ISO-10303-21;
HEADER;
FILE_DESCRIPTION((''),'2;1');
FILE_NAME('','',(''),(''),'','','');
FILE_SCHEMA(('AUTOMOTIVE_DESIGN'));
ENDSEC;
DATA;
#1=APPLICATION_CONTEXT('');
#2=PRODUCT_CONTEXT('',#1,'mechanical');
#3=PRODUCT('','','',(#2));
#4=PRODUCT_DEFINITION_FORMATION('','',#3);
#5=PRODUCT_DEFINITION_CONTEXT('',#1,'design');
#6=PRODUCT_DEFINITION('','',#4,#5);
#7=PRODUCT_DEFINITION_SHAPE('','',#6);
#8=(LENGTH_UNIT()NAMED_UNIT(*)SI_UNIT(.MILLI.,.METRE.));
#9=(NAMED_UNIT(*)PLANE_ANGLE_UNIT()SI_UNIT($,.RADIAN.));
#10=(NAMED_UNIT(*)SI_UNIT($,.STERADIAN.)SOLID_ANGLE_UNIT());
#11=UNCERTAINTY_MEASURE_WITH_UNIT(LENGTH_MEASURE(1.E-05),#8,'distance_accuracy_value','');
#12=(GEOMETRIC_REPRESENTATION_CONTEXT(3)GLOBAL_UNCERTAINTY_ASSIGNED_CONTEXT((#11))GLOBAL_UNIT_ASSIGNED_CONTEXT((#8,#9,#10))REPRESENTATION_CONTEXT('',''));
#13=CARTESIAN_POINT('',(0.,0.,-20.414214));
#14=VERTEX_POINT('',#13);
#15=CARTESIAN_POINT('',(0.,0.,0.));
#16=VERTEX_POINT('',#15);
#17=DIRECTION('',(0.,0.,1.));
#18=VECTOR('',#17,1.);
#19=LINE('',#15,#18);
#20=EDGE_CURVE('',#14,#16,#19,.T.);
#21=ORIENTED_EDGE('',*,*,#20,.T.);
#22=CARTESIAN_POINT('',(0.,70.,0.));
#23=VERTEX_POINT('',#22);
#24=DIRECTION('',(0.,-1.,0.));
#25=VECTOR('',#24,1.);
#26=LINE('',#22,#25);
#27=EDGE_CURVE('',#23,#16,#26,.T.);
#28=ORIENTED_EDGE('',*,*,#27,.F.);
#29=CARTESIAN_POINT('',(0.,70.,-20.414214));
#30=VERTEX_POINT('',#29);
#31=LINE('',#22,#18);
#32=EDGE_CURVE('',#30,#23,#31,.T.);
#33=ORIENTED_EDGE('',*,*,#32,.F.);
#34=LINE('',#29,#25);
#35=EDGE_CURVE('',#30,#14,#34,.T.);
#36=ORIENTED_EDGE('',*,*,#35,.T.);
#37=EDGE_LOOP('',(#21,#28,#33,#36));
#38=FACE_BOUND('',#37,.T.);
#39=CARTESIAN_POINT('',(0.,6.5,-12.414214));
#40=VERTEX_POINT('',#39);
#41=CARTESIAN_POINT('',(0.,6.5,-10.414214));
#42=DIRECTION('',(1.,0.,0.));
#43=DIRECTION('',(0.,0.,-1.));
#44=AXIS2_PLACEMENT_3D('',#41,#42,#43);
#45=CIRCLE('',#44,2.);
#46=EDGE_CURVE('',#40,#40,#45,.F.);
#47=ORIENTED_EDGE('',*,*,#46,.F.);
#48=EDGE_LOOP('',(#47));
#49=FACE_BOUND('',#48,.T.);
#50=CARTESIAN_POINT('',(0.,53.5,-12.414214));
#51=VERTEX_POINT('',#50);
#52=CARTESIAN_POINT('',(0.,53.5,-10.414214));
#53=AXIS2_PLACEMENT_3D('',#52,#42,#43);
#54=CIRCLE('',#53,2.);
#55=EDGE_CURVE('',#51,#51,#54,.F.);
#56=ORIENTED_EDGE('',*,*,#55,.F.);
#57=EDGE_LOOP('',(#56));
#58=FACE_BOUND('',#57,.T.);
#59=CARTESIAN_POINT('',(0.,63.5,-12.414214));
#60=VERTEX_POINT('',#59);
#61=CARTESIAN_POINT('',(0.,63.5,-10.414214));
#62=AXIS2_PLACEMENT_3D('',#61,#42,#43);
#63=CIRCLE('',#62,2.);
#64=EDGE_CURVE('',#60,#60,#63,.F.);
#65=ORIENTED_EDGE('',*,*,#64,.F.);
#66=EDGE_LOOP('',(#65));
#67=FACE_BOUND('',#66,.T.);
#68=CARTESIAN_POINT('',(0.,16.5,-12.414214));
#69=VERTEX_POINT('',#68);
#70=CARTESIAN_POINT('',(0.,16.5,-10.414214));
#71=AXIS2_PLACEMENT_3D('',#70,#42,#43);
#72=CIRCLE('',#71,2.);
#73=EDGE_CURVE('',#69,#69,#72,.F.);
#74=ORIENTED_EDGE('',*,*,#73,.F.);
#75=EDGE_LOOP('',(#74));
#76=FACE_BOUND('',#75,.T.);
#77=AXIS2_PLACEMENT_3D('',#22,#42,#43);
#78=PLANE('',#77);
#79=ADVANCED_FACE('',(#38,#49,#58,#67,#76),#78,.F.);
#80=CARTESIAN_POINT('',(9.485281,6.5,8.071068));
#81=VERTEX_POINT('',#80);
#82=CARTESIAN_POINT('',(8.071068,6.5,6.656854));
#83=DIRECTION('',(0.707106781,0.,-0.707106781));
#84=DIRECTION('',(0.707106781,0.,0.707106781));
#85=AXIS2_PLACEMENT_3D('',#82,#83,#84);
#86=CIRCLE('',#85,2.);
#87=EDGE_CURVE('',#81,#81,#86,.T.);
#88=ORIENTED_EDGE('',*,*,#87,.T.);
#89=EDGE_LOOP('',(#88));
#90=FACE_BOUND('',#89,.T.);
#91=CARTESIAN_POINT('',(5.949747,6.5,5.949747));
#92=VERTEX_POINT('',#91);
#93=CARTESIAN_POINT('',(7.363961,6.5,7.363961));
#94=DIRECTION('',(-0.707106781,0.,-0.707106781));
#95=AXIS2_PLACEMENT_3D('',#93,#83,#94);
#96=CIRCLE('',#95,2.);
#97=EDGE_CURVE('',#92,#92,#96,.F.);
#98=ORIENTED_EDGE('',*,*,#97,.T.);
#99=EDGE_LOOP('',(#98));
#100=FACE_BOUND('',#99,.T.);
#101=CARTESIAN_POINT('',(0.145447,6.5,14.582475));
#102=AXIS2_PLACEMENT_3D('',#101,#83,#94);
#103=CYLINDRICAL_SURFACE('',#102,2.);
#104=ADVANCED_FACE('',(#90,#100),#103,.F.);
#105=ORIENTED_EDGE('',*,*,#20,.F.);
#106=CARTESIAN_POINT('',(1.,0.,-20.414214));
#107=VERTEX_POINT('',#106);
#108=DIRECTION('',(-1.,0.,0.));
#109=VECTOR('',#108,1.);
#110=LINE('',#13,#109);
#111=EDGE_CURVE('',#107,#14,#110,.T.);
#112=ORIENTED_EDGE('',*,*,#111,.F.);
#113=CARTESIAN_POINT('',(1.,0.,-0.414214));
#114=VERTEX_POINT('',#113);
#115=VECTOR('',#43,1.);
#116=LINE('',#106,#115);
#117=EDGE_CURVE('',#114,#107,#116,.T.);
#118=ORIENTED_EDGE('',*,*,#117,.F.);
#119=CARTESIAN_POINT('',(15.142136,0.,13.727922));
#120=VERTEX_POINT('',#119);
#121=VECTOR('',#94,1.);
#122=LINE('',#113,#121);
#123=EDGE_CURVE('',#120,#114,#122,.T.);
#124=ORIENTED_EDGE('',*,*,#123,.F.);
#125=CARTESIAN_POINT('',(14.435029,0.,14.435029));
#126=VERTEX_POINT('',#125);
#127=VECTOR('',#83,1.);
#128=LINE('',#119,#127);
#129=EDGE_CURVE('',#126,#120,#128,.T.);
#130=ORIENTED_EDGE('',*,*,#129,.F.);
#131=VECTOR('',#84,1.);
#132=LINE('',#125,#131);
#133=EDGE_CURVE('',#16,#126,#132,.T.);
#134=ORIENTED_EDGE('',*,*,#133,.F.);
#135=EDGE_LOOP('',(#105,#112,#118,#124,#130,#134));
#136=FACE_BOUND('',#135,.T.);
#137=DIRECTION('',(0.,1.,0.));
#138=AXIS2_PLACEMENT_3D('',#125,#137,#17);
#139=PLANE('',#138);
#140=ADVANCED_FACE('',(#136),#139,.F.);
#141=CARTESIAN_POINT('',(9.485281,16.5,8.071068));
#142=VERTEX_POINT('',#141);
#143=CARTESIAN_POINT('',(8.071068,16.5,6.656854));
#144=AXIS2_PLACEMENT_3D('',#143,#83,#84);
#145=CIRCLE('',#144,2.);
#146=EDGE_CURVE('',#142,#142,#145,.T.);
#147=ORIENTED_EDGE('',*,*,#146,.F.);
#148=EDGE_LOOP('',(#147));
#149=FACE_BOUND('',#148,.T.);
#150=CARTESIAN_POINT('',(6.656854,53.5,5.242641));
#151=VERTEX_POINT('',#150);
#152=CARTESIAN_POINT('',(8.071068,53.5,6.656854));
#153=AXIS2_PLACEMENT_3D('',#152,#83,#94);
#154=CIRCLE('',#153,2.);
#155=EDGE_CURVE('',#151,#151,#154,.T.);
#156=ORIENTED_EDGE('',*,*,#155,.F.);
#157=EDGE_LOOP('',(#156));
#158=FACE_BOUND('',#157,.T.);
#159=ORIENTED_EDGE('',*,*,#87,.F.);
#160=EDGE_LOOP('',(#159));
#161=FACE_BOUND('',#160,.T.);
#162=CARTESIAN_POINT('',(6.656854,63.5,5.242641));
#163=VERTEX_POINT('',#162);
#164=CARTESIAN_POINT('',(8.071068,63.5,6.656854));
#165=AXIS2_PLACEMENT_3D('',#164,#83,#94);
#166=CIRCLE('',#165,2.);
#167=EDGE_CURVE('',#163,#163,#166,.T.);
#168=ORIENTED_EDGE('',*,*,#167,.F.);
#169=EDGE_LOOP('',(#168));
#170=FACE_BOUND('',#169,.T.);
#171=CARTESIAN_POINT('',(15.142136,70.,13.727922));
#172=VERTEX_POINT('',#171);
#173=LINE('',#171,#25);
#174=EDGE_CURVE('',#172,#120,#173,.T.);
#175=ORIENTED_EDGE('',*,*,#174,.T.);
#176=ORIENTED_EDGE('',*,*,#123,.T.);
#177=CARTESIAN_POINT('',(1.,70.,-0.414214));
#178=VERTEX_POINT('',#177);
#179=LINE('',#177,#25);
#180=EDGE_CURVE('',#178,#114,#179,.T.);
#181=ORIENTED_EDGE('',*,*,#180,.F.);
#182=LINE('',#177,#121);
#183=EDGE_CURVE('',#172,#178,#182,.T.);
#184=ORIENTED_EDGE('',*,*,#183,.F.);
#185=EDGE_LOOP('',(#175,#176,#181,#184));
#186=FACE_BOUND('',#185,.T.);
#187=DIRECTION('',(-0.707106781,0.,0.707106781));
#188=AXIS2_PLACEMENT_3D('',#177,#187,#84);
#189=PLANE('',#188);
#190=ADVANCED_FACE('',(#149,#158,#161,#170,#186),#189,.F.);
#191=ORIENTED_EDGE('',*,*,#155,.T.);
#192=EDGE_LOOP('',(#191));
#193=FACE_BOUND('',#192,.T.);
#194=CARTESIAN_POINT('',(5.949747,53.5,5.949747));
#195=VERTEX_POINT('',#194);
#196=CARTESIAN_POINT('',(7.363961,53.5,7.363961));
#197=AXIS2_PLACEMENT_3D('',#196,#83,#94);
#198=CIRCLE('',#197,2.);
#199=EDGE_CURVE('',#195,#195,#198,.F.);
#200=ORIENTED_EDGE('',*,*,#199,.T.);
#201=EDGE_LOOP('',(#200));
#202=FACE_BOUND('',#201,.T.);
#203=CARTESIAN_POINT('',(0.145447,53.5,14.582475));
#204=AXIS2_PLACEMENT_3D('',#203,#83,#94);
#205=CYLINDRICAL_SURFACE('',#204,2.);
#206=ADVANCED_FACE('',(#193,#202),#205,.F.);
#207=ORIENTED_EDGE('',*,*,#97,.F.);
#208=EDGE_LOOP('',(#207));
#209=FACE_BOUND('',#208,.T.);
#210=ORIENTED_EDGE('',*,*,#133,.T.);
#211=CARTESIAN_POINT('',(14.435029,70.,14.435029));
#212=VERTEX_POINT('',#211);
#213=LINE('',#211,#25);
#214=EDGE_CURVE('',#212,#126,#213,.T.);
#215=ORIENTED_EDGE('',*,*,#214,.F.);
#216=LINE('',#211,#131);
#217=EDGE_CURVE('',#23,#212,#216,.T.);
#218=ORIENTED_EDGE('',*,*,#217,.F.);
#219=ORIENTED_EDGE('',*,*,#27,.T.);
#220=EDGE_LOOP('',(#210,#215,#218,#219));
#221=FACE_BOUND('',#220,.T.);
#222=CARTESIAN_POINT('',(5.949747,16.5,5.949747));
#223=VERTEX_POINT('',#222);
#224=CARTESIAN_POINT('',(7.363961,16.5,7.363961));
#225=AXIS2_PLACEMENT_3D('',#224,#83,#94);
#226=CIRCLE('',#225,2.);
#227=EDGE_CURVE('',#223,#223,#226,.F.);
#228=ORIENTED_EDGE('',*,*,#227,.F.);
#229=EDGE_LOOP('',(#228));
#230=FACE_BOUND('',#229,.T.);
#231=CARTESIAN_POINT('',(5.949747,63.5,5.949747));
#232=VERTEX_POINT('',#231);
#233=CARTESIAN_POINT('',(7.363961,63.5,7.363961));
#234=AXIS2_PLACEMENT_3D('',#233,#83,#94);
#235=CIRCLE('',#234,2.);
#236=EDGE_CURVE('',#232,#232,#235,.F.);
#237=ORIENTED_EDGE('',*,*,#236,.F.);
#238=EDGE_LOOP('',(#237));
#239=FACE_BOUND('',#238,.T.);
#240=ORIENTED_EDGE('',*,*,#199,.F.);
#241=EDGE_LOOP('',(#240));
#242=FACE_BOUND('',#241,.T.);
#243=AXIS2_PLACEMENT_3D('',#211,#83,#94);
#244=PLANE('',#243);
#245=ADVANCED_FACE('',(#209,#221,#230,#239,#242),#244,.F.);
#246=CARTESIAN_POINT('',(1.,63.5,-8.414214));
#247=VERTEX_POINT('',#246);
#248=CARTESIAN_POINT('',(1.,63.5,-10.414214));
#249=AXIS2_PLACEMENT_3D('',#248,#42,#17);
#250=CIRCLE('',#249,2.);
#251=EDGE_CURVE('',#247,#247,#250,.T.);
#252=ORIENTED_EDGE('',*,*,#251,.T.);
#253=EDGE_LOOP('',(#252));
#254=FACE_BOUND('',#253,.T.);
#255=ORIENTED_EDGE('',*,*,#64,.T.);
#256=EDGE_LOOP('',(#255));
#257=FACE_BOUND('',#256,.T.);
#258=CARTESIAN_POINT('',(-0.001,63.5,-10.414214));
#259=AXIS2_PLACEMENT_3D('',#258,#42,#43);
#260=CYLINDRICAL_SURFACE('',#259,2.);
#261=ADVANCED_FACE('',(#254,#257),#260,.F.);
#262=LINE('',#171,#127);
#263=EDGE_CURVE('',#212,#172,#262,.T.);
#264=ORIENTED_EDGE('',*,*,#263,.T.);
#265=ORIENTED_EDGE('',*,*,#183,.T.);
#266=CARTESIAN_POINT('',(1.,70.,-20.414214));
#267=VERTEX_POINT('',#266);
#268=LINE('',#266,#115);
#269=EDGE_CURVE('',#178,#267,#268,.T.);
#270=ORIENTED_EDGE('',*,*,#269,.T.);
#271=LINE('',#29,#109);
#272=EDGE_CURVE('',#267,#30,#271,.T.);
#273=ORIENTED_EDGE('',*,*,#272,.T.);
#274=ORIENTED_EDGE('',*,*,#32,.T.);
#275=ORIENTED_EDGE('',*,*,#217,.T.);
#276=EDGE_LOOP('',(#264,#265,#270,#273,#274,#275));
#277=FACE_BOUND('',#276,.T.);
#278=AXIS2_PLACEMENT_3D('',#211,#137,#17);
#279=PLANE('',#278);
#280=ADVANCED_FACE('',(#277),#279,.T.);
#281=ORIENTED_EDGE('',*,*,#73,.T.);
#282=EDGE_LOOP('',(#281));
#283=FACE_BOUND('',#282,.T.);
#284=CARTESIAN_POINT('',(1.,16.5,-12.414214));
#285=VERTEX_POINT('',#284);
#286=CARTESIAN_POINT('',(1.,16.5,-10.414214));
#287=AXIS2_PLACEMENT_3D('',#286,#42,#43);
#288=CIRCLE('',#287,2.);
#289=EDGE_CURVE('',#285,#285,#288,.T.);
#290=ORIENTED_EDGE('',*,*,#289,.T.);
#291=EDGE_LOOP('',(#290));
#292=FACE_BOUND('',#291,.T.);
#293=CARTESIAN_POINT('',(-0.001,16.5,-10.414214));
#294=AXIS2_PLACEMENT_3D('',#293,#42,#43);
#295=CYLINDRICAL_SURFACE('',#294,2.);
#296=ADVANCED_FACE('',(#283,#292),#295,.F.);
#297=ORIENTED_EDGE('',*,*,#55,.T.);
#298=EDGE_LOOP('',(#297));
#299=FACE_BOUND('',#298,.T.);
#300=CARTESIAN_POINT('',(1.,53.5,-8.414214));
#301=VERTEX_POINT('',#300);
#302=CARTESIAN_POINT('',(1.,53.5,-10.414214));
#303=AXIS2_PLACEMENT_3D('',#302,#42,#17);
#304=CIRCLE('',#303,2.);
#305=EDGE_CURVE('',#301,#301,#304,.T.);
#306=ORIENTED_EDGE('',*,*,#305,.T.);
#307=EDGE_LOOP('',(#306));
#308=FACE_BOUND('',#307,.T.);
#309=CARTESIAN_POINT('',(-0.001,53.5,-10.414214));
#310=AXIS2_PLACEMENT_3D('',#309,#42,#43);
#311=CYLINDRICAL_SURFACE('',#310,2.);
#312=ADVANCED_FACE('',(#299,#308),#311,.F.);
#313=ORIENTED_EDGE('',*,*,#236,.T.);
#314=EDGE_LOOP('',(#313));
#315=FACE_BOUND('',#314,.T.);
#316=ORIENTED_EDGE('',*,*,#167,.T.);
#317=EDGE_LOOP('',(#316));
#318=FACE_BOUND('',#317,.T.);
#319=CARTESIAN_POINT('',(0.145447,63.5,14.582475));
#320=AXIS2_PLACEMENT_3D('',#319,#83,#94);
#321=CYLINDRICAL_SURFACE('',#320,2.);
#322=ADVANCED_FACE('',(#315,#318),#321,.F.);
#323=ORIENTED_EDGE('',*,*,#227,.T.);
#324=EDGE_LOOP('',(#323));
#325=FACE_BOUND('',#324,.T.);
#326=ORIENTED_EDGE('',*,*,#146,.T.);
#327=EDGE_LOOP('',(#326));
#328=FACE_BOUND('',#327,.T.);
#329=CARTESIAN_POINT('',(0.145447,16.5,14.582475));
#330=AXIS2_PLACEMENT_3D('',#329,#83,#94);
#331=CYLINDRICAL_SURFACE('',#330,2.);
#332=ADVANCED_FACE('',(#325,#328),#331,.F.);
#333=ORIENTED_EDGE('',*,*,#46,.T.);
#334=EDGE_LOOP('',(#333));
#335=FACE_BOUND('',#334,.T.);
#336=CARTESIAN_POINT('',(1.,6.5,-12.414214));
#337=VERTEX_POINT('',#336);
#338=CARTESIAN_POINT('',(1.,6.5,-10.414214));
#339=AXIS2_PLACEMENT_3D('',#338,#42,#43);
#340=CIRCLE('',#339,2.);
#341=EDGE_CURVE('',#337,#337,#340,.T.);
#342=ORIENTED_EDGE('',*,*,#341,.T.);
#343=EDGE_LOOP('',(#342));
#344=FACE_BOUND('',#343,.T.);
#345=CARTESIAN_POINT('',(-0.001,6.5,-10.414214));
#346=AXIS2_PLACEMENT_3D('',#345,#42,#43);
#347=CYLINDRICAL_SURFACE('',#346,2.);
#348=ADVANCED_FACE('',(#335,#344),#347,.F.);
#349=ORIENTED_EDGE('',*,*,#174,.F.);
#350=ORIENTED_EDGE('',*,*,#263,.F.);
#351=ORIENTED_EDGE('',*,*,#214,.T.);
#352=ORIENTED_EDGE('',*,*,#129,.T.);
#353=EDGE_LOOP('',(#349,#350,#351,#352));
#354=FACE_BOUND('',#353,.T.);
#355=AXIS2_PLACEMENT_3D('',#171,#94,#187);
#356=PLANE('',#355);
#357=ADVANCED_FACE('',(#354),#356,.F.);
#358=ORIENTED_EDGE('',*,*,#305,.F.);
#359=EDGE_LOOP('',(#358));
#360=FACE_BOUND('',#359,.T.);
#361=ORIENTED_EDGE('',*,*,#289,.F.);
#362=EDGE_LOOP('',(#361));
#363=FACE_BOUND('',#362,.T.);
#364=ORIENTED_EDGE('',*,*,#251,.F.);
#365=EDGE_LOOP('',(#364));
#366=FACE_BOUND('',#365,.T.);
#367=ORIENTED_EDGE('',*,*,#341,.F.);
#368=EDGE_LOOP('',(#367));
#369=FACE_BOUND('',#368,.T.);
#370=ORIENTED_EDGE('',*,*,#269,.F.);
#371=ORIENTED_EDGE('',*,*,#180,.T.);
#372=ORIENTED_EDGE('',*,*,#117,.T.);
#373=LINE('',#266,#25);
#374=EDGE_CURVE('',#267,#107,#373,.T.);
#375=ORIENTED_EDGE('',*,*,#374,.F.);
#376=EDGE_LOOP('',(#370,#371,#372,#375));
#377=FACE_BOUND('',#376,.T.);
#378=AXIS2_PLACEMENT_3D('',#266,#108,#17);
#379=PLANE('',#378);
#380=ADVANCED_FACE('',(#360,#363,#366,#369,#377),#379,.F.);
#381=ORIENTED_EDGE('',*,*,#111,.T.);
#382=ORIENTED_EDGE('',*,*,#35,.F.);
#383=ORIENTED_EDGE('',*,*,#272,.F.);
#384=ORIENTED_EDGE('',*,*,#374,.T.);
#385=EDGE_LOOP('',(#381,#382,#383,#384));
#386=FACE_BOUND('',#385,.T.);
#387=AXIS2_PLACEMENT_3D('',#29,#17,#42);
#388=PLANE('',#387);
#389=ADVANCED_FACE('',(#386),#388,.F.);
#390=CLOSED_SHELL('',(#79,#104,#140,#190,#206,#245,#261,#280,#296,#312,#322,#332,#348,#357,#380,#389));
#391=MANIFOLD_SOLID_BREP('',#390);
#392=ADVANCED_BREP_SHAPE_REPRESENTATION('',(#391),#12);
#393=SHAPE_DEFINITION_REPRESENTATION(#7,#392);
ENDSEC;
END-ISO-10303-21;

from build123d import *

# Parameters (mm, degrees)
EXTRUSION1_DEPTH = 70
EXTRUSION2_REACH = 3
ESQUISSE2_R      = 2
EXTRUSION3_REACH = 13.207
ESQUISSE3_R      = 2


with BuildPart() as part:
    # Esquisse1 → Extrusion1 (new body)
    with BuildSketch(Plane(origin=(0, 0, 0), x_dir=(1, 0, 0), z_dir=(0, 1, 0))):
        Polygon((0, 0), (0, 20.414213562), (1, 20.414213562), (1, 0.414213562), (15.142135624, -13.727922061), (14.435028843, -14.435028843), align=None)
    extrude(amount=EXTRUSION1_DEPTH)

    # Esquisse2 → Extrusion2 (cut, up to next)
    with BuildSketch(Plane(origin=(1, 0, 0), x_dir=(0, 0, -1), z_dir=(1, 0, 0)), mode=Mode.PRIVATE) as extrusion2_sk1:
        with Locations((10.414213562, 16.5)):
            Circle(ESQUISSE2_R)
    extrusion2_tool1 = extrude(extrusion2_sk1.sketch, amount=-EXTRUSION2_REACH, mode=Mode.PRIVATE) & part.part
    add(extrusion2_tool1.solids().sort_by_distance((1, 16.5, -10.414214))[0], mode=Mode.SUBTRACT)
    # Esquisse2 → Extrusion2 (cut, up to next)
    with BuildSketch(Plane(origin=(1, 0, 0), x_dir=(0, 0, -1), z_dir=(1, 0, 0)), mode=Mode.PRIVATE) as extrusion2_sk2:
        with Locations((10.414213562, 6.5)):
            Circle(ESQUISSE2_R)
    extrusion2_tool2 = extrude(extrusion2_sk2.sketch, amount=-EXTRUSION2_REACH, mode=Mode.PRIVATE) & part.part
    add(extrusion2_tool2.solids().sort_by_distance((1, 6.5, -10.414214))[0], mode=Mode.SUBTRACT)
    # Esquisse2 → Extrusion2 (cut, up to next)
    with BuildSketch(Plane(origin=(1, 0, 0), x_dir=(0, 0, -1), z_dir=(1, 0, 0)), mode=Mode.PRIVATE) as extrusion2_sk3:
        with Locations((10.414213562, 53.5)):
            Circle(ESQUISSE2_R)
    extrusion2_tool3 = extrude(extrusion2_sk3.sketch, amount=-EXTRUSION2_REACH, mode=Mode.PRIVATE) & part.part
    add(extrusion2_tool3.solids().sort_by_distance((1, 53.5, -10.414214))[0], mode=Mode.SUBTRACT)
    # Esquisse2 → Extrusion2 (cut, up to next)
    with BuildSketch(Plane(origin=(1, 0, 0), x_dir=(0, 0, -1), z_dir=(1, 0, 0)), mode=Mode.PRIVATE) as extrusion2_sk4:
        with Locations((10.414213562, 63.5)):
            Circle(ESQUISSE2_R)
    extrusion2_tool4 = extrude(extrusion2_sk4.sketch, amount=-EXTRUSION2_REACH, mode=Mode.PRIVATE) & part.part
    add(extrusion2_tool4.solids().sort_by_distance((1, 63.5, -10.414214))[0], mode=Mode.SUBTRACT)

    # Esquisse3 → Extrusion3 (cut, up to next)
    with BuildSketch(Plane(origin=(0.707106781, 0, -0.707106781), x_dir=(-0.707106781, 0, -0.707106781), z_dir=(0.707106781, 0, -0.707106781)), mode=Mode.PRIVATE) as extrusion3_sk1:
        with Locations((-10.414213562, 53.5)):
            Circle(ESQUISSE3_R)
    extrusion3_tool1 = extrude(extrusion3_sk1.sketch, amount=-EXTRUSION3_REACH, mode=Mode.PRIVATE) & part.part
    add(extrusion3_tool1.solids().sort_by_distance((8.071068, 53.5, 6.656854))[0], mode=Mode.SUBTRACT)
    # Esquisse3 → Extrusion3 (cut, up to next)
    with BuildSketch(Plane(origin=(0.707106781, 0, -0.707106781), x_dir=(-0.707106781, 0, -0.707106781), z_dir=(0.707106781, 0, -0.707106781)), mode=Mode.PRIVATE) as extrusion3_sk2:
        with Locations((-10.414213562, 63.5)):
            Circle(ESQUISSE3_R)
    extrusion3_tool2 = extrude(extrusion3_sk2.sketch, amount=-EXTRUSION3_REACH, mode=Mode.PRIVATE) & part.part
    add(extrusion3_tool2.solids().sort_by_distance((8.071068, 63.5, 6.656854))[0], mode=Mode.SUBTRACT)
    # Esquisse3 → Extrusion3 (cut, up to next)
    with BuildSketch(Plane(origin=(0.707106781, 0, -0.707106781), x_dir=(-0.707106781, 0, -0.707106781), z_dir=(0.707106781, 0, -0.707106781)), mode=Mode.PRIVATE) as extrusion3_sk3:
        with Locations((-10.414213562, 6.5)):
            Circle(ESQUISSE3_R)
    extrusion3_tool3 = extrude(extrusion3_sk3.sketch, amount=-EXTRUSION3_REACH, mode=Mode.PRIVATE) & part.part
    add(extrusion3_tool3.solids().sort_by_distance((8.071068, 6.5, 6.656854))[0], mode=Mode.SUBTRACT)
    # Esquisse3 → Extrusion3 (cut, up to next)
    with BuildSketch(Plane(origin=(0.707106781, 0, -0.707106781), x_dir=(-0.707106781, 0, -0.707106781), z_dir=(0.707106781, 0, -0.707106781)), mode=Mode.PRIVATE) as extrusion3_sk4:
        with Locations((-10.414213562, 16.5)):
            Circle(ESQUISSE3_R)
    extrusion3_tool4 = extrude(extrusion3_sk4.sketch, amount=-EXTRUSION3_REACH, mode=Mode.PRIVATE) & part.part
    add(extrusion3_tool4.solids().sort_by_distance((8.071068, 16.5, 6.656854))[0], mode=Mode.SUBTRACT)


solid = part.part
